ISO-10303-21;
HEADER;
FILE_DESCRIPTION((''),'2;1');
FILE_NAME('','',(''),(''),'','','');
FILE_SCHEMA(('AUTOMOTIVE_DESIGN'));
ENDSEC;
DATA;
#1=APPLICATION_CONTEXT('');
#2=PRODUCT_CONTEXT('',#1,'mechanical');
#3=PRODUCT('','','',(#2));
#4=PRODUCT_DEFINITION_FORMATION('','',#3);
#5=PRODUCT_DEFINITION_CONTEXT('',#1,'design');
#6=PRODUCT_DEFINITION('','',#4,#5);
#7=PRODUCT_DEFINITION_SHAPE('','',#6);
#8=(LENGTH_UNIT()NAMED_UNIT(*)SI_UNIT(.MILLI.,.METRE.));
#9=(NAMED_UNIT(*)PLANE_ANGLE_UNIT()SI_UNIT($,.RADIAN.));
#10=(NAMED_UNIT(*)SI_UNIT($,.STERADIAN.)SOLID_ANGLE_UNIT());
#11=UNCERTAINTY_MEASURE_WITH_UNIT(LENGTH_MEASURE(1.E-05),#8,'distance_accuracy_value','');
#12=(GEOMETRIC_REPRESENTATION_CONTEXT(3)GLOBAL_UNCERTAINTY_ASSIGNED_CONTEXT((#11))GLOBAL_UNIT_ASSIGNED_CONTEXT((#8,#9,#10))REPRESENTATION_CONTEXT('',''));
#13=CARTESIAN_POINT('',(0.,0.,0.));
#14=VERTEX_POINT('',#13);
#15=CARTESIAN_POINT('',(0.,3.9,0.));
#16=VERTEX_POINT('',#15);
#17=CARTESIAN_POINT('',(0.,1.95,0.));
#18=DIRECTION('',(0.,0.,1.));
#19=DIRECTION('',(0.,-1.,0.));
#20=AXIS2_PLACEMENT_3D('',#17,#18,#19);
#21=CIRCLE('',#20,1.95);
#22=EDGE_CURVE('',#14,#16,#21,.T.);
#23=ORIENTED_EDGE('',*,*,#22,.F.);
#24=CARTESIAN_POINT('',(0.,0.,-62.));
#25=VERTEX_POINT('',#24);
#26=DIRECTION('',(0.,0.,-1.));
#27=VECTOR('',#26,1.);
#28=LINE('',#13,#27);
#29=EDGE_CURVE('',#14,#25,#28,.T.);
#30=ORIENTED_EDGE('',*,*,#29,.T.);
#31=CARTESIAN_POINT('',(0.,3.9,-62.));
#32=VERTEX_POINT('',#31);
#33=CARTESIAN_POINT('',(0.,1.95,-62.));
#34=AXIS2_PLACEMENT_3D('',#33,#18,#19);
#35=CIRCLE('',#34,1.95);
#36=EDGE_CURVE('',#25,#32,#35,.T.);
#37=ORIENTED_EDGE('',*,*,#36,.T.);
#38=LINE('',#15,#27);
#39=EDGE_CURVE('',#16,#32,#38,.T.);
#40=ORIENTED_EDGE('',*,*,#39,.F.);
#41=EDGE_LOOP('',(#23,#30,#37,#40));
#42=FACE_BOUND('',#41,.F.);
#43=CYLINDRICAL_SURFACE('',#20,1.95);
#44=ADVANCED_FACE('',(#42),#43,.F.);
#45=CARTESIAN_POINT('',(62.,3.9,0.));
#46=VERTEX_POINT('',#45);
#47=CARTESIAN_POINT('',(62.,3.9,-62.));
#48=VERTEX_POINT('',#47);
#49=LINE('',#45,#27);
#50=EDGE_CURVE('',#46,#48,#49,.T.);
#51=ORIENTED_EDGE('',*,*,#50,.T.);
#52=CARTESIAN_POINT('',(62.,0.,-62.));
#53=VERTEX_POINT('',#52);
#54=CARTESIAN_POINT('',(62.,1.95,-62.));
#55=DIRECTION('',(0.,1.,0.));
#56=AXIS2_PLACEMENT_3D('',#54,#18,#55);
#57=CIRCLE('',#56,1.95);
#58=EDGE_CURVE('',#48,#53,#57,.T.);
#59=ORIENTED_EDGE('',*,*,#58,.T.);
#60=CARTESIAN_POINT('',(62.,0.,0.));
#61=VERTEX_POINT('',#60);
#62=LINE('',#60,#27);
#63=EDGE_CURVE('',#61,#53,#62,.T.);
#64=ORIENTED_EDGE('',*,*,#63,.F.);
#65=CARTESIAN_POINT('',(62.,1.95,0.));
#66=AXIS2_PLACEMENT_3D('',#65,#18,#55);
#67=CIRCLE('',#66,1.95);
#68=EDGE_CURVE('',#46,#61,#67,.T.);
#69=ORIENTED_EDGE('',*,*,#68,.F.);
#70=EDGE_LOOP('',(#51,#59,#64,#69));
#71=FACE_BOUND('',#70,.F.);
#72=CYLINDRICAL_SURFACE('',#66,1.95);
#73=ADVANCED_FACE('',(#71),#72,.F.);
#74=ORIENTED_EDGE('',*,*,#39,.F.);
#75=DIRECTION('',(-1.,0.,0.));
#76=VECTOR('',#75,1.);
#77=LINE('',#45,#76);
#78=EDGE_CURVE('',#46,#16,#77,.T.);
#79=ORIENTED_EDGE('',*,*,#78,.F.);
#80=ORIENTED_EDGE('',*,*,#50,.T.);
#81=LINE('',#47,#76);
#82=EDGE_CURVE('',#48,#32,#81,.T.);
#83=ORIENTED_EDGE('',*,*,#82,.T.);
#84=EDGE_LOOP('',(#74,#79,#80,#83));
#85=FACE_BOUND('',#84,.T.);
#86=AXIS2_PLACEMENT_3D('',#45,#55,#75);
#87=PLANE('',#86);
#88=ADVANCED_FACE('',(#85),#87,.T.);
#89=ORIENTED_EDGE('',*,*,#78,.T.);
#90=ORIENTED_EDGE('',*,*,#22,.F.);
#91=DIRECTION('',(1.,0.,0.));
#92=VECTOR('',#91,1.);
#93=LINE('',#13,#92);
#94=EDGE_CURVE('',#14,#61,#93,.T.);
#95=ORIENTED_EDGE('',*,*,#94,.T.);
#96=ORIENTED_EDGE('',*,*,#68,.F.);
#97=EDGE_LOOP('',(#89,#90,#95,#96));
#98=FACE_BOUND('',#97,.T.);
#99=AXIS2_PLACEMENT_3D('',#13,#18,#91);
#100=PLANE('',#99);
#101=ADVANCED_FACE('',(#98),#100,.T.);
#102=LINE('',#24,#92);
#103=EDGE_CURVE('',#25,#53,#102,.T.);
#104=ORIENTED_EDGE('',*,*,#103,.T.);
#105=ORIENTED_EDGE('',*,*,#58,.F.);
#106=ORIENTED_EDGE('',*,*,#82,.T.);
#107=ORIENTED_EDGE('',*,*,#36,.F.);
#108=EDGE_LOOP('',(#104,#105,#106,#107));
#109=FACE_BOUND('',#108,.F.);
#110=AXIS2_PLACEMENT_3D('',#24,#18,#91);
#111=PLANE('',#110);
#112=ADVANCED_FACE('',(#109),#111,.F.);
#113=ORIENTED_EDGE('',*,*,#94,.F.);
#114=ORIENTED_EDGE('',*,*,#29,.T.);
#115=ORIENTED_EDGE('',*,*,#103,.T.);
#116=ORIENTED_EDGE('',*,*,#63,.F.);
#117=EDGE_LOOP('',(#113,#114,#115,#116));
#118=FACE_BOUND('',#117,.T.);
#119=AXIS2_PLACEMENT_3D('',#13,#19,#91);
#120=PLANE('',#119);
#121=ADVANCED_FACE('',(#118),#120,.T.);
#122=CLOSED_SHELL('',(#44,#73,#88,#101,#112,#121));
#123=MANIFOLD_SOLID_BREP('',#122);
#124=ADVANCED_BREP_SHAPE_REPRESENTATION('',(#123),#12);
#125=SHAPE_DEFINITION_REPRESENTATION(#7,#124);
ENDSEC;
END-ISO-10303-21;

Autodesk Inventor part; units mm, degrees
ref_plane "YZ Plane" through (0, 0, 0) normal (1, 0, 0) x (0, 1, 0)
ref_plane "XZ Plane" through (0, 0, 0) normal (0, 1, 0) x (-1, 0, 0)
ref_plane "XY Plane" through (0, 0, 0) normal (0, 0, 1) x (1, 0, 0)
sketch "Sketch1" plane through (0, 0, 0) normal (0, 1, 0) x (-1, 0, 0)
  point P0 (0, 0)
sketch "Sketch2" plane through (0, 0, 0) normal (0, 0, 1) x (1, 0, 0)
  line L0 (0, 0) -> (62, 0)
  line L1 (62, 3.9) -> (0, 3.9)
  arc A0 (0, 0) -> (0, 3.9) centre (0, 1.95) ccw
  arc A1 (62, 3.9) -> (62, 0) centre (62, 1.95) ccw
  dimension "d0" = 62
  dimension "d1" = 3.9
extrude "Extrusion1" add sketch "Sketch2" against normal blind 62
properties part number "peltier_module"
